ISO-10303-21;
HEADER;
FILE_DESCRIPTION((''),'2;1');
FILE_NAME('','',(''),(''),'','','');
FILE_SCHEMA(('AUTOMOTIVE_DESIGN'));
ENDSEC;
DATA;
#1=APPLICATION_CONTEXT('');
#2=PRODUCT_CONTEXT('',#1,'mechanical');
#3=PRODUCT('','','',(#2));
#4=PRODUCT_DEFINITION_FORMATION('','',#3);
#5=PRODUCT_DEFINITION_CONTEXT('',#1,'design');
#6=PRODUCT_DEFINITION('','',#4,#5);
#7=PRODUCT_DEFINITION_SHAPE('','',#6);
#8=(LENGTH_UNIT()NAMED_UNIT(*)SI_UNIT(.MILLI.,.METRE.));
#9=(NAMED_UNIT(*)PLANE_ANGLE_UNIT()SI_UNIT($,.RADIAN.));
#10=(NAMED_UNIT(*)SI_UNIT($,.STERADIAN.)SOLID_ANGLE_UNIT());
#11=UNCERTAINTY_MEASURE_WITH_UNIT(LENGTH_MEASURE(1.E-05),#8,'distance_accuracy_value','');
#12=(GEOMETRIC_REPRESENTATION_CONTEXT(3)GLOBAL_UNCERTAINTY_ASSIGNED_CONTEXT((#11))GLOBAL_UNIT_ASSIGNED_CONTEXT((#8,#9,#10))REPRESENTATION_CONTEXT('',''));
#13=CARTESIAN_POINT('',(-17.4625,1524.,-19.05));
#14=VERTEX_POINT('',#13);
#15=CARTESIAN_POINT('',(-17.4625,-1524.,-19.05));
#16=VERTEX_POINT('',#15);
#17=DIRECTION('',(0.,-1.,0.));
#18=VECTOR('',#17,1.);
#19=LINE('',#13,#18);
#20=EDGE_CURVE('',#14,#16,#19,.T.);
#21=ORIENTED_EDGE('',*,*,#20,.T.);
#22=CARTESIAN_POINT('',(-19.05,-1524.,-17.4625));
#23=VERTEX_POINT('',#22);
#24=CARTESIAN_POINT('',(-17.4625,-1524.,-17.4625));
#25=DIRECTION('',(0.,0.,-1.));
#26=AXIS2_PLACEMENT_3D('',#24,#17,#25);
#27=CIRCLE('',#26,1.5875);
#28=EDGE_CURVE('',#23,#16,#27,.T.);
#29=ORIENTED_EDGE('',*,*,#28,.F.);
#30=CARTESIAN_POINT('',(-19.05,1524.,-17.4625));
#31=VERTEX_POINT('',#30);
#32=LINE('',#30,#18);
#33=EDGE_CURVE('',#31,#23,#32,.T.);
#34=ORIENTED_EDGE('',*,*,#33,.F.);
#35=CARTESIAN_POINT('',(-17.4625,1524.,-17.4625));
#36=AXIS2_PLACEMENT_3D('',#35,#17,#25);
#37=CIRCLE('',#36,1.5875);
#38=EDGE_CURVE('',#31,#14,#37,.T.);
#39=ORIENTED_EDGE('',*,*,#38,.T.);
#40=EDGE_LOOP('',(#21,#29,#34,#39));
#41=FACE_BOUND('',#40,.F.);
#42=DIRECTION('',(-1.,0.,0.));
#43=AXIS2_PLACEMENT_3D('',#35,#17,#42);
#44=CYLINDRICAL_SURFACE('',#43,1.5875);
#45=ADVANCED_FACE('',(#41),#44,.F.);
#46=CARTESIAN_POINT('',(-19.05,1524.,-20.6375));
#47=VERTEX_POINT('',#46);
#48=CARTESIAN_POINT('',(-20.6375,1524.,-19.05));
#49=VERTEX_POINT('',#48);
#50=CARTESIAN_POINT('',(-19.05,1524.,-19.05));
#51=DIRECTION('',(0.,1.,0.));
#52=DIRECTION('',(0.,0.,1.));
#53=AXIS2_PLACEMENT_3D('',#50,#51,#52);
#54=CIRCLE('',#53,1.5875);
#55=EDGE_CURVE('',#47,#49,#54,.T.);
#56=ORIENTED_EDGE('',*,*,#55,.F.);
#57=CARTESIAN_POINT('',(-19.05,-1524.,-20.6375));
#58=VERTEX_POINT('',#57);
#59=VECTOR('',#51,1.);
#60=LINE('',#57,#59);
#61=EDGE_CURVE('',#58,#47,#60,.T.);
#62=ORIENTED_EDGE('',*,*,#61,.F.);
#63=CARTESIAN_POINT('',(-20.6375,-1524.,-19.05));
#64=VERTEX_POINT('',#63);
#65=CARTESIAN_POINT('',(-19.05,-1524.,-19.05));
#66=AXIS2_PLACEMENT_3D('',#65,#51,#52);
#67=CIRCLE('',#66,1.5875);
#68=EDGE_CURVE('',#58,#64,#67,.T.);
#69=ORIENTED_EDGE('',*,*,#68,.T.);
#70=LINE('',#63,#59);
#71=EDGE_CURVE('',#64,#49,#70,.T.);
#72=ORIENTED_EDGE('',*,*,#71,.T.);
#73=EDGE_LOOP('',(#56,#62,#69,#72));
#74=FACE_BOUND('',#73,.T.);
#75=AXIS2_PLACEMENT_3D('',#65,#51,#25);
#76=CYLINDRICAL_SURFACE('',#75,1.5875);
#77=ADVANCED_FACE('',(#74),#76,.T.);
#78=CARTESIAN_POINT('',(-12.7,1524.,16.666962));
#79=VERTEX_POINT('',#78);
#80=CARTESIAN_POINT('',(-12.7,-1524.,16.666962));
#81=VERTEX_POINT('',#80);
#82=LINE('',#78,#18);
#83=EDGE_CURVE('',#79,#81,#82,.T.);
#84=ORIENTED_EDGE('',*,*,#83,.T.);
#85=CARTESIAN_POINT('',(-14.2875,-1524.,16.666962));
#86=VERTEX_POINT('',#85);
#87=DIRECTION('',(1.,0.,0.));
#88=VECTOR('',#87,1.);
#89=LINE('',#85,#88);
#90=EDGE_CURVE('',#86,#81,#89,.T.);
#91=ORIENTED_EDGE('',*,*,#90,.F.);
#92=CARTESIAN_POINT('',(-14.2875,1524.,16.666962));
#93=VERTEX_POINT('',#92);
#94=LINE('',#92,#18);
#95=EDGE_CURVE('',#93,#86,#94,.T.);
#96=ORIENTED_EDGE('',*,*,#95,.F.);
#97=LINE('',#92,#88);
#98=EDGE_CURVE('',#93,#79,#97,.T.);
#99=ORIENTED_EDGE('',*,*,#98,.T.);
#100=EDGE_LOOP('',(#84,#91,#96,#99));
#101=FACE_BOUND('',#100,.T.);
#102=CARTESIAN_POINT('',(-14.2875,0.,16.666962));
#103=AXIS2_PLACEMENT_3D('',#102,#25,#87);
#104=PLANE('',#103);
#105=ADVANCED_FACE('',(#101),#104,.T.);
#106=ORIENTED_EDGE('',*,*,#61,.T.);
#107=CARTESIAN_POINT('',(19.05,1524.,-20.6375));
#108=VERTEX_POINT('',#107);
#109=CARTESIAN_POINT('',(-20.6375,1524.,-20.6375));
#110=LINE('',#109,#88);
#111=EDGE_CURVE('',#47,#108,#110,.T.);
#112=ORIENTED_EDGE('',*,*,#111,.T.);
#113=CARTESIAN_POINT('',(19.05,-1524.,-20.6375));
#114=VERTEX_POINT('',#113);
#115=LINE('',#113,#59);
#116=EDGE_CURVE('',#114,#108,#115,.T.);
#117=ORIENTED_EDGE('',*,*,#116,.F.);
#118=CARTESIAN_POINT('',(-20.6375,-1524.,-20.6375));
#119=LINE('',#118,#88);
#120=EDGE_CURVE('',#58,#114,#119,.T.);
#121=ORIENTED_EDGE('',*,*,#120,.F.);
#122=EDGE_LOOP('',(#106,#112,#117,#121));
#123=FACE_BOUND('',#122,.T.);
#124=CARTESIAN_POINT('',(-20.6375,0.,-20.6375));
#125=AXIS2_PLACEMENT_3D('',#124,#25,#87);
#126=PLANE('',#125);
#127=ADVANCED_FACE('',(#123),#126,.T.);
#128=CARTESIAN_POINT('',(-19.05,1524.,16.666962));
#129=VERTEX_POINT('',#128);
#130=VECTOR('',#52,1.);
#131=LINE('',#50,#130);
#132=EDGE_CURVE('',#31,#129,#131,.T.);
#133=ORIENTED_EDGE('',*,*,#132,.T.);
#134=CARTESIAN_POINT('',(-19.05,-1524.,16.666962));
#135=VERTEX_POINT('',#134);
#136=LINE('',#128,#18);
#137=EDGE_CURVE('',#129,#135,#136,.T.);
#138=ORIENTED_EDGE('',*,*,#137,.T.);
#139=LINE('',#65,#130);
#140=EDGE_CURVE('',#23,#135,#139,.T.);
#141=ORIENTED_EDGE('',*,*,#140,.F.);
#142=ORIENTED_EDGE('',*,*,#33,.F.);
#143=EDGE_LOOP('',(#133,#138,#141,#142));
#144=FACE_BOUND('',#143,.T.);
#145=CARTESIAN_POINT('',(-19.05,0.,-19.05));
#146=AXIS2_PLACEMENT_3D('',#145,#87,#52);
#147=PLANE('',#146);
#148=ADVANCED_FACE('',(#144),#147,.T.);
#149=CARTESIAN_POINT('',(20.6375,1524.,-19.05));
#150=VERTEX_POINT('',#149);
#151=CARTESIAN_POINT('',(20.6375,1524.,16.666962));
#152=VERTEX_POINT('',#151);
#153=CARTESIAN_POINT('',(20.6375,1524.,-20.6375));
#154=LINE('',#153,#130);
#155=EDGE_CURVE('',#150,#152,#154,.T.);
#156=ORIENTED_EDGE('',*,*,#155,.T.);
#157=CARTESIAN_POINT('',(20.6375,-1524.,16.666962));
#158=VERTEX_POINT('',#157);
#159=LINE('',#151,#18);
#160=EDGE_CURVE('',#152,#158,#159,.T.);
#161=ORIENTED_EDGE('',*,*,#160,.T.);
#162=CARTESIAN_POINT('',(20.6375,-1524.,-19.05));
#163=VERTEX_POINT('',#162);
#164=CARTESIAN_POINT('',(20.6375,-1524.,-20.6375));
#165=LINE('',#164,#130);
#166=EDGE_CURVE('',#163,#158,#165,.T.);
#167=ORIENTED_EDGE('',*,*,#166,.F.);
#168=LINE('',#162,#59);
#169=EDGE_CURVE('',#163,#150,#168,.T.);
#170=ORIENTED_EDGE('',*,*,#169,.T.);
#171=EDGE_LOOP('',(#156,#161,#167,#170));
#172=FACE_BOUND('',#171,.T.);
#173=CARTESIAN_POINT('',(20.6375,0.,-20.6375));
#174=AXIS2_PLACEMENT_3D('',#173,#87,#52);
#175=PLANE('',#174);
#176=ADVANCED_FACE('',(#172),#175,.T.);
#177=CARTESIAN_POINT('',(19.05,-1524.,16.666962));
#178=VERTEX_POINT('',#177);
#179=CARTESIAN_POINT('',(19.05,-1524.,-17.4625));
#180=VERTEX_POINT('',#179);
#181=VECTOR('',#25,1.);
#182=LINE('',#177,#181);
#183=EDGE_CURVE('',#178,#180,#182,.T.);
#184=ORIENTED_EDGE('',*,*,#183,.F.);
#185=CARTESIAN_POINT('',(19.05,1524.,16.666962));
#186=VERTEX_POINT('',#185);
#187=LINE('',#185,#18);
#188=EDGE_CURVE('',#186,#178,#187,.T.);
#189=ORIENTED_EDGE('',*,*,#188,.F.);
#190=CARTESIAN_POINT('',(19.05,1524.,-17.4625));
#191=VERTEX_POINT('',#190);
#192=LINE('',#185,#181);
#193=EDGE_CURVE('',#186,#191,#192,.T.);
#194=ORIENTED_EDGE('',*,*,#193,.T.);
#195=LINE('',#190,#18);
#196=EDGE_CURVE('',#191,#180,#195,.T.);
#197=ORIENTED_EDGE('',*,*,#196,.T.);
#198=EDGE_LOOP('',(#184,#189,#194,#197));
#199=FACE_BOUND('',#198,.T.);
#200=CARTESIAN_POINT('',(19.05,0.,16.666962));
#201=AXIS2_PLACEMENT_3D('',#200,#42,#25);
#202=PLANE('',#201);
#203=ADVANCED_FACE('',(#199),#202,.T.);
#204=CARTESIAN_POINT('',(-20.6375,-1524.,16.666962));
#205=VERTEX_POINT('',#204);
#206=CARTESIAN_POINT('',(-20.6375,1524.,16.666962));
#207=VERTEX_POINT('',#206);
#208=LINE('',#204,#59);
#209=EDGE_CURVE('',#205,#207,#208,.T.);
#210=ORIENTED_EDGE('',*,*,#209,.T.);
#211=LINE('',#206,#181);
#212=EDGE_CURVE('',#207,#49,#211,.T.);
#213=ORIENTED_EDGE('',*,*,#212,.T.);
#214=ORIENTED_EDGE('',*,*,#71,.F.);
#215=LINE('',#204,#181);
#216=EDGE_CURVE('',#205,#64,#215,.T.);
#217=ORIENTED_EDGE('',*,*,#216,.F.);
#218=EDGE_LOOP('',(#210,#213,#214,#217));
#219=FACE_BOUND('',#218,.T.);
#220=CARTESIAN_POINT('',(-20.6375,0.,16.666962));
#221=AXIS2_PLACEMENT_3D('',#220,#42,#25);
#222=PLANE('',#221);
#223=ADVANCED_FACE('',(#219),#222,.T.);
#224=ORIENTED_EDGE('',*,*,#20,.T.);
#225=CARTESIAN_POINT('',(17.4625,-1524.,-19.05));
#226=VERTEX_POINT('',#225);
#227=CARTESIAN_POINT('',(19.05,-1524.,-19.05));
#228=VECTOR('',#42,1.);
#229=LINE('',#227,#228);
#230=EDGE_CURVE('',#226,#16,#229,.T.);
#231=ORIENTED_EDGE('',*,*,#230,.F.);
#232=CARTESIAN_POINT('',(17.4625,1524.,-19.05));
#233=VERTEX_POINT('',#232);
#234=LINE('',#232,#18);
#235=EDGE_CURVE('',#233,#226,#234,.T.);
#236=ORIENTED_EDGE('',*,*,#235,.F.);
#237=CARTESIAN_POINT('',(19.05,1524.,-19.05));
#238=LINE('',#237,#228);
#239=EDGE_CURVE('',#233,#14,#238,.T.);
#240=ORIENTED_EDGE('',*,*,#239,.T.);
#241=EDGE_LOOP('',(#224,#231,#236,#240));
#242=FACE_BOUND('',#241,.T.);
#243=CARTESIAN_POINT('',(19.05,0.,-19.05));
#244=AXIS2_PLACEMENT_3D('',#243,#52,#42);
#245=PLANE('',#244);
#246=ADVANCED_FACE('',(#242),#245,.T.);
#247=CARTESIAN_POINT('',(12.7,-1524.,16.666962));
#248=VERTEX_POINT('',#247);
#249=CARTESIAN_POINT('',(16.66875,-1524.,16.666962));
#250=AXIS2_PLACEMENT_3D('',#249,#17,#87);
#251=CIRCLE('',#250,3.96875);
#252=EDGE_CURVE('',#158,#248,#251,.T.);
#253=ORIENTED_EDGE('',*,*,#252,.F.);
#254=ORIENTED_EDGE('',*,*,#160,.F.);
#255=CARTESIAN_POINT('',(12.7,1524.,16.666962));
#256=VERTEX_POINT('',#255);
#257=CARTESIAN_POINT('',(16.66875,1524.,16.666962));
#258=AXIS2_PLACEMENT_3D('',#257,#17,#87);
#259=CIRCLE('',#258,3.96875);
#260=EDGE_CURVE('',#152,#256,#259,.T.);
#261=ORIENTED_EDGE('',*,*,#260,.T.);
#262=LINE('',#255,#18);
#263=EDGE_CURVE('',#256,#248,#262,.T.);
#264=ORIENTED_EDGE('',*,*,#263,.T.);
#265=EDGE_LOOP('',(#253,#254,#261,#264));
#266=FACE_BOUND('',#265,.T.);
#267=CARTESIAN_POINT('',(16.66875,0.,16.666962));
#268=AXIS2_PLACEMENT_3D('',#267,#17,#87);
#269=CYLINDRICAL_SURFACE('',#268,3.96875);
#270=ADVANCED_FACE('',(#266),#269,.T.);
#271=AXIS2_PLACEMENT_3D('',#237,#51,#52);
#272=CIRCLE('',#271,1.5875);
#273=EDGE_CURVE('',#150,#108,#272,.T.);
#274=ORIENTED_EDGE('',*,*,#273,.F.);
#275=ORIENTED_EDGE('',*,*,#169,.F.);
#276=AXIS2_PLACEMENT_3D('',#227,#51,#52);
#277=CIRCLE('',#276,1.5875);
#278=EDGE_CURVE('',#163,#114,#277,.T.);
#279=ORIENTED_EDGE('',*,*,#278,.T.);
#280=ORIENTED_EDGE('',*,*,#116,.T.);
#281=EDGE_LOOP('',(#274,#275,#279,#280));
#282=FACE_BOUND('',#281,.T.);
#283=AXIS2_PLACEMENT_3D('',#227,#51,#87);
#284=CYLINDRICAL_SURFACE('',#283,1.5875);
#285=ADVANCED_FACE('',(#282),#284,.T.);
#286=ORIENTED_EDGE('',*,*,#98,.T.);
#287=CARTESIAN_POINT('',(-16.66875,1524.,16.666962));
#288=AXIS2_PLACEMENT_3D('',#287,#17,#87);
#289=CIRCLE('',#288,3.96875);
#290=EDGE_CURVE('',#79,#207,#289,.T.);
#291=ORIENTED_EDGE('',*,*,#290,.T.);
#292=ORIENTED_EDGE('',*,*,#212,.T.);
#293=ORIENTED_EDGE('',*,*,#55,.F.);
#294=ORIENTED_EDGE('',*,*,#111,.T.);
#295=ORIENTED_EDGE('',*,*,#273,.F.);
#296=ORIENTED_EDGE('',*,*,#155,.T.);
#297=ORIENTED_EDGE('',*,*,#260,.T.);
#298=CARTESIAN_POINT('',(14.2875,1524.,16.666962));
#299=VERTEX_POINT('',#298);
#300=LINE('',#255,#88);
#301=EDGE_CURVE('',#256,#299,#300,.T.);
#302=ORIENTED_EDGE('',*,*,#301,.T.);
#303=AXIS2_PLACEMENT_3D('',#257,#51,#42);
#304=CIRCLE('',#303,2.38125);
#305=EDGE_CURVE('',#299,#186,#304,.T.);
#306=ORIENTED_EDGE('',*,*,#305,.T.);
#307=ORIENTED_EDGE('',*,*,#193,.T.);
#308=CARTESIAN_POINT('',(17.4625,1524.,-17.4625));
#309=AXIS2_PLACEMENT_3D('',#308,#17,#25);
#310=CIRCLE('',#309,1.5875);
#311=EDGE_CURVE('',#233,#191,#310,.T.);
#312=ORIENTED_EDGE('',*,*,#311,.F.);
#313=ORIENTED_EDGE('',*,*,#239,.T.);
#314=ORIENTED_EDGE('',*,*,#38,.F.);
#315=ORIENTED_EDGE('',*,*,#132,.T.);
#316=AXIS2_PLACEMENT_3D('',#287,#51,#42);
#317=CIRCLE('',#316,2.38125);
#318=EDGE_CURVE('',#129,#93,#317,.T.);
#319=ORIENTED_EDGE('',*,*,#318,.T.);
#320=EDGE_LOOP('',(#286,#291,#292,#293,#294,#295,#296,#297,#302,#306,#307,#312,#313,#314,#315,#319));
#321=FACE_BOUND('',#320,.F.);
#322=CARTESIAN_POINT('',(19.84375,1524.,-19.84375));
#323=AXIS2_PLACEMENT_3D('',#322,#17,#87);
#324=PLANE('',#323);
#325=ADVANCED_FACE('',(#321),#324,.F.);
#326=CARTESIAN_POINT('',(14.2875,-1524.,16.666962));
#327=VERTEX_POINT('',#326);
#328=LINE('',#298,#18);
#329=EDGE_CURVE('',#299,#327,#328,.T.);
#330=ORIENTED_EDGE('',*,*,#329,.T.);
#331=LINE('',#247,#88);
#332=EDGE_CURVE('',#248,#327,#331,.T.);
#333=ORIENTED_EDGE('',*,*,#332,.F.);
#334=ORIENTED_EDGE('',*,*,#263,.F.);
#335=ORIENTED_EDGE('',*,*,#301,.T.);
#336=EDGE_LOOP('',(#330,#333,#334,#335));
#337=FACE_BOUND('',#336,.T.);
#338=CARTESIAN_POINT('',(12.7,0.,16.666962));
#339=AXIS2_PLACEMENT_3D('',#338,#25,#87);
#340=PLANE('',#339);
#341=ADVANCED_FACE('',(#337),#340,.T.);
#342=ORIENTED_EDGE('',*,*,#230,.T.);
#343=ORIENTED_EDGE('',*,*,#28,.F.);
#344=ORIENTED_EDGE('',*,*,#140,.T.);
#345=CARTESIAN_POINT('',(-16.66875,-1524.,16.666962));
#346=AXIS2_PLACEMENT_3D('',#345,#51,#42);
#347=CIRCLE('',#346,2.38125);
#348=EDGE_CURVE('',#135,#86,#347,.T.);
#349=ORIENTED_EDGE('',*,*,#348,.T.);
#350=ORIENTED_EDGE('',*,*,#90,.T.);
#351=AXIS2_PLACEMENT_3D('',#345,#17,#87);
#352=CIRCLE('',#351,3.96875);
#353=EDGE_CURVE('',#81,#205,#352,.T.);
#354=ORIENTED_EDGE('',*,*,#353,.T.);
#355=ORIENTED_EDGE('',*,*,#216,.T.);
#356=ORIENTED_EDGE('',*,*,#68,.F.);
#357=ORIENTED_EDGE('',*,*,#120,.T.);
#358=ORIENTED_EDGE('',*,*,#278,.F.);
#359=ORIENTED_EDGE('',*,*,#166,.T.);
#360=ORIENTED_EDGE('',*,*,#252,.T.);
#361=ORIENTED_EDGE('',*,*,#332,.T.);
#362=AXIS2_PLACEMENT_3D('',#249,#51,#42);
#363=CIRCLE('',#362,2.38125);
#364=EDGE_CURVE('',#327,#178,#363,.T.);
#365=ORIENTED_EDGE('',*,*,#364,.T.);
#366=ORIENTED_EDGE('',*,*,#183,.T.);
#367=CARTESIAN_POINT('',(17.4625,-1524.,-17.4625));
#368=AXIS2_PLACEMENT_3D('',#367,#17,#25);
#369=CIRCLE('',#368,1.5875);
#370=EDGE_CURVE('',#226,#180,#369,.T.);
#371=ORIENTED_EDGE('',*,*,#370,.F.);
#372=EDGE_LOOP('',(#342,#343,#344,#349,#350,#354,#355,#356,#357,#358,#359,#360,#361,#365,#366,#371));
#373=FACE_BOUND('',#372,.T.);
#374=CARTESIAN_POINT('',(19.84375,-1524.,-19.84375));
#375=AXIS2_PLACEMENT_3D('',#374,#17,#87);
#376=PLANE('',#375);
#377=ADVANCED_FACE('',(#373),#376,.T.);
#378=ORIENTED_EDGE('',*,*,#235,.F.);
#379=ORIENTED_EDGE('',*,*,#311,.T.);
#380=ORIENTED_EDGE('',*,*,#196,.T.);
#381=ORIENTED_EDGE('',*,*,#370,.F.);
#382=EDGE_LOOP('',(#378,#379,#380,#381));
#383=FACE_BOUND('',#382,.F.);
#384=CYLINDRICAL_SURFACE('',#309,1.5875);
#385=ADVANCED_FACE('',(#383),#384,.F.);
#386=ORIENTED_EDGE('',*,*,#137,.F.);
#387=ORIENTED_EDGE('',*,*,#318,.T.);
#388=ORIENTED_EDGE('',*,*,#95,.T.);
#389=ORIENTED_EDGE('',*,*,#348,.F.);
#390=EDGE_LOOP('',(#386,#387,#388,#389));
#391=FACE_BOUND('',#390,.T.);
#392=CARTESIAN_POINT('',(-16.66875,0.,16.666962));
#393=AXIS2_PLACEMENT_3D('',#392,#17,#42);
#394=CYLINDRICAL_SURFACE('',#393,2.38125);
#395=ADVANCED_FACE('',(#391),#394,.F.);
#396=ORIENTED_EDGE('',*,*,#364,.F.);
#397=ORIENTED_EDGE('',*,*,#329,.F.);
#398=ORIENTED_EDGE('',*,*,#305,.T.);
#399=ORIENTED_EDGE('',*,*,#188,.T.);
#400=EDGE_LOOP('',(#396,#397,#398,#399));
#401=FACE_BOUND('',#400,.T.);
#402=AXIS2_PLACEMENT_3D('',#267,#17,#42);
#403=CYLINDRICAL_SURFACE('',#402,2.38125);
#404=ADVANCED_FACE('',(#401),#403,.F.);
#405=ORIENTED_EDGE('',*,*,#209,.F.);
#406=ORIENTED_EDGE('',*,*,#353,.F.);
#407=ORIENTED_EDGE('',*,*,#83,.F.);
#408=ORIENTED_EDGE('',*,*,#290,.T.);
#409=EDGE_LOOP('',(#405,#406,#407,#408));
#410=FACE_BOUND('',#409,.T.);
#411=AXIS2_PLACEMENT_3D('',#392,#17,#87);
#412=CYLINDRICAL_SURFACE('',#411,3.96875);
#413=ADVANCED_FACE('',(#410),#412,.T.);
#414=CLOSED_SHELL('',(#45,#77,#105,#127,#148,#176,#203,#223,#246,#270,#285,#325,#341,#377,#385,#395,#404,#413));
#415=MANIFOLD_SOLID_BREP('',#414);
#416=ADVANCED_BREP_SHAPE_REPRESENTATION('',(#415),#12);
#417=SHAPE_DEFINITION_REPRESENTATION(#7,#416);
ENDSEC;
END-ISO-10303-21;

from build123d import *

# Parameters (mm, degrees)
F0_W     = 1.5875
F0_H     = 1.5875
F0_W_2   = 38.1
F1_DEPTH = 1524
F2_R     = 1.5875


with BuildPart() as f1:
    # F0 (on Front) → F1 (new body, symmetric)
    with BuildSketch(Plane.XZ):
        with Locations((19.84375, -19.84375)):
            Rectangle(F0_W, F0_H)
        with Locations((0, -19.84375)):
            Rectangle(F0_W_2, F0_H)
        with BuildLine():
            Line((19.05, -19.05), (20.6375, -19.05))
            Line((20.6375, -19.05), (20.6375, 16.6669618338))
            ThreePointArc((20.6375, 16.6669618338), (16.66875, 20.6357118338), (12.7, 16.6669618338))
            Line((12.7, 16.6669618338), (14.2875, 16.6669618338))
            ThreePointArc((14.2875, 16.6669618338), (16.66875, 19.0482118338), (19.05, 16.6669618338))
            Line((19.05, 16.6669618338), (19.05, -19.05))
        make_face()
        with Locations((-19.84375, -19.84375)):
            Rectangle(F0_W, F0_H)
        with BuildLine():
            Line((-20.6375, -19.05), (-19.05, -19.05))
            Line((-19.05, -19.05), (-19.05, 16.6669618338))
            ThreePointArc((-19.05, 16.6669618338), (-16.66875, 19.0482118338), (-14.2875, 16.6669618338))
            Line((-14.2875, 16.6669618338), (-12.7, 16.6669618338))
            ThreePointArc((-12.7, 16.6669618338), (-16.66875, 20.6357118338), (-20.6375, 16.6669618338))
            Line((-20.6375, 16.6669618338), (-20.6375, -19.05))
        make_face()
    extrude(amount=F1_DEPTH, both=True)

    # F2
    f2_edges = [f1.edges().sort_by_distance(p)[0] for p in [
        (-19.05, 0, -19.05),
        (19.05, 0, -19.05),
        (20.6375, 0, -20.6375),
        (-20.6375, 0, -20.6375),
    ]]
    fillet(f2_edges, radius=F2_R)


solid = f1.part
